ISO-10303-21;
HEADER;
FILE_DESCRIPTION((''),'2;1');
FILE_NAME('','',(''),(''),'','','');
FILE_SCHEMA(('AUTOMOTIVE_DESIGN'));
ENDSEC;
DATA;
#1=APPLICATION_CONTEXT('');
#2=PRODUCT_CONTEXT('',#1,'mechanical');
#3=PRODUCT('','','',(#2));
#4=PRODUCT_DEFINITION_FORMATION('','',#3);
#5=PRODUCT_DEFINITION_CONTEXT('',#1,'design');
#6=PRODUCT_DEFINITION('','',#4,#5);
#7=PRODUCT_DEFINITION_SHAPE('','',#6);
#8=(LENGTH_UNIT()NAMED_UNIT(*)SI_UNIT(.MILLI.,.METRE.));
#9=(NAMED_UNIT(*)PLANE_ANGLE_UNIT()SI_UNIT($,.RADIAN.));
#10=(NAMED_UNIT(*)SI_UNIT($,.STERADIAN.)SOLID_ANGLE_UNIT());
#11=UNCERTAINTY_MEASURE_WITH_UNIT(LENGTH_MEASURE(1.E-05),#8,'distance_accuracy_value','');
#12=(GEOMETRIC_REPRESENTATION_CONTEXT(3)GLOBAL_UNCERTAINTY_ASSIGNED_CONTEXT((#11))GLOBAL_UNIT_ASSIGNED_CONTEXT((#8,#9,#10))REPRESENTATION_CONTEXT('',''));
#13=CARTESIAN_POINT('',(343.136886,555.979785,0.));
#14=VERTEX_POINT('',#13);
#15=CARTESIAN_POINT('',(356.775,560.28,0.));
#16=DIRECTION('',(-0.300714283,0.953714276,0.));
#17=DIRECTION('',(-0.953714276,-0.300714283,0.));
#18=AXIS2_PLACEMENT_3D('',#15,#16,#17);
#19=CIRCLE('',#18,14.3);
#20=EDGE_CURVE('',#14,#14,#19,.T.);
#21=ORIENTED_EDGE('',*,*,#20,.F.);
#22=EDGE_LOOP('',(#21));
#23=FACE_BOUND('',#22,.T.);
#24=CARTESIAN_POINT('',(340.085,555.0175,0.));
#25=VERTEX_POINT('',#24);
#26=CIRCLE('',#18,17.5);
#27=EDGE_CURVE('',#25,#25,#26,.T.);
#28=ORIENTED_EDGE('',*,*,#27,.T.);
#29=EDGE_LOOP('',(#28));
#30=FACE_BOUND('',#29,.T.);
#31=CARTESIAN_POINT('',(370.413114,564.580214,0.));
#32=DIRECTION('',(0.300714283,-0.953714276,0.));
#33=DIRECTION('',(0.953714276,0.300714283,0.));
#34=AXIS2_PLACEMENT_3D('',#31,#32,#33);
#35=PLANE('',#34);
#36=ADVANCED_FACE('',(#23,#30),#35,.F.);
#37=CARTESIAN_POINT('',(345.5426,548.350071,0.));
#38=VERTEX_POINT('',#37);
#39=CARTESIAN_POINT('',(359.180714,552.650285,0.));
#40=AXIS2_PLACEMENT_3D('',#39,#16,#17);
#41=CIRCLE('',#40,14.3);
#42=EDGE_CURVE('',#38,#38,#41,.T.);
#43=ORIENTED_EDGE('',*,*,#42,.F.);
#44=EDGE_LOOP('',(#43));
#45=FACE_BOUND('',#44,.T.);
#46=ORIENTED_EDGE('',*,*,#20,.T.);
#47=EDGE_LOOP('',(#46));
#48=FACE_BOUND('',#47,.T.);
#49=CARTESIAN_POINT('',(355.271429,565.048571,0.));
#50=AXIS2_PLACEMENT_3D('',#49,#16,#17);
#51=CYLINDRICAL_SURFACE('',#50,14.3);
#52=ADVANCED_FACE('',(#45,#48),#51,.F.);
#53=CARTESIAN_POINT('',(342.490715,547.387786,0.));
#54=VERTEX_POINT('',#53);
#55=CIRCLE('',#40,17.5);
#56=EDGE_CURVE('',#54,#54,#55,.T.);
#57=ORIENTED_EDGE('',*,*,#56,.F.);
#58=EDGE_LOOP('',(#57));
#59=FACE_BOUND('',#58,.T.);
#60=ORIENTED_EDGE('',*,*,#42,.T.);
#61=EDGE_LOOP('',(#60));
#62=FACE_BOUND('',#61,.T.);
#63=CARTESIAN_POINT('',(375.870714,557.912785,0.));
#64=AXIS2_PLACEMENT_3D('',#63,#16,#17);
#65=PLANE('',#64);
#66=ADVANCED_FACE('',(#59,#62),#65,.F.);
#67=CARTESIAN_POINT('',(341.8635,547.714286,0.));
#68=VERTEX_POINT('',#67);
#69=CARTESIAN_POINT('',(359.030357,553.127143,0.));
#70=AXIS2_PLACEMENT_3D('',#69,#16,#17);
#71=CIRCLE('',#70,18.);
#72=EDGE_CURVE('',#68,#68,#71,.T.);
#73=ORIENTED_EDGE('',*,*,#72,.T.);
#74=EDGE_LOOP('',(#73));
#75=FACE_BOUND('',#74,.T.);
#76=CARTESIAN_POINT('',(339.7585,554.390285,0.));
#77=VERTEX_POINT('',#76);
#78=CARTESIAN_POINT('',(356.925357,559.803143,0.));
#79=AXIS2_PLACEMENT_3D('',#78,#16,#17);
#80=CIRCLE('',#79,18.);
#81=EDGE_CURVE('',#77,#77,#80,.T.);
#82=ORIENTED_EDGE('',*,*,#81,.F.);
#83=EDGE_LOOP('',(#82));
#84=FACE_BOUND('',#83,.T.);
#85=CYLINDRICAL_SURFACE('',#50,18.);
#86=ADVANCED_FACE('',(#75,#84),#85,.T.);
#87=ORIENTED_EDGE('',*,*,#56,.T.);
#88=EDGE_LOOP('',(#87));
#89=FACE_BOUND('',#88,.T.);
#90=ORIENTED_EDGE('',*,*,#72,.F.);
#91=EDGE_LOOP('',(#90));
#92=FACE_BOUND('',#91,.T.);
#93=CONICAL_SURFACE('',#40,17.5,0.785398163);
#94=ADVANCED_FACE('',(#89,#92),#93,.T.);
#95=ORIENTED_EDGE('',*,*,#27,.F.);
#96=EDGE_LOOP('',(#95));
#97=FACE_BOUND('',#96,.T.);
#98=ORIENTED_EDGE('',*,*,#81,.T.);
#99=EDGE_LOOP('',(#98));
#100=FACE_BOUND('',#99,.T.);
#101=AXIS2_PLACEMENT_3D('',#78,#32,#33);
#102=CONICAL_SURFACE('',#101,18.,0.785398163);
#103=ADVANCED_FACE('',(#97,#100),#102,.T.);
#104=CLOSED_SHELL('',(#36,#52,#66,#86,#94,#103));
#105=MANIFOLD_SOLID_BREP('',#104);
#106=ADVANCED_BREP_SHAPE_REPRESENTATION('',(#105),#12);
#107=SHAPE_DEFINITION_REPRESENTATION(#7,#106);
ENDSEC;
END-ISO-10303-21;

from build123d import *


with BuildPart() as part:
    # Sk_Contratuerca → Contratuerca (revolve)
    with BuildSketch(Plane.XY, mode=Mode.PRIVATE) as contratuerca_sk:
        Polygon((370.413114254, 564.580213901), (373.464999937, 565.542499606), (374.092214216, 565.215999609), (376.197214195, 558.539999677), (375.870714198, 557.912785398), (372.818828515, 556.950499693), align=None)
    revolve(contratuerca_sk.sketch.rotate(Axis((355.271428694, 565.048571039, 0), (0.3007142826457713, -0.9537142759825079, 0)), 180), axis=Axis((355.271428694, 565.048571039, 0), (0.3007142826457713, -0.9537142759825079, 0)))


solid = part.part
